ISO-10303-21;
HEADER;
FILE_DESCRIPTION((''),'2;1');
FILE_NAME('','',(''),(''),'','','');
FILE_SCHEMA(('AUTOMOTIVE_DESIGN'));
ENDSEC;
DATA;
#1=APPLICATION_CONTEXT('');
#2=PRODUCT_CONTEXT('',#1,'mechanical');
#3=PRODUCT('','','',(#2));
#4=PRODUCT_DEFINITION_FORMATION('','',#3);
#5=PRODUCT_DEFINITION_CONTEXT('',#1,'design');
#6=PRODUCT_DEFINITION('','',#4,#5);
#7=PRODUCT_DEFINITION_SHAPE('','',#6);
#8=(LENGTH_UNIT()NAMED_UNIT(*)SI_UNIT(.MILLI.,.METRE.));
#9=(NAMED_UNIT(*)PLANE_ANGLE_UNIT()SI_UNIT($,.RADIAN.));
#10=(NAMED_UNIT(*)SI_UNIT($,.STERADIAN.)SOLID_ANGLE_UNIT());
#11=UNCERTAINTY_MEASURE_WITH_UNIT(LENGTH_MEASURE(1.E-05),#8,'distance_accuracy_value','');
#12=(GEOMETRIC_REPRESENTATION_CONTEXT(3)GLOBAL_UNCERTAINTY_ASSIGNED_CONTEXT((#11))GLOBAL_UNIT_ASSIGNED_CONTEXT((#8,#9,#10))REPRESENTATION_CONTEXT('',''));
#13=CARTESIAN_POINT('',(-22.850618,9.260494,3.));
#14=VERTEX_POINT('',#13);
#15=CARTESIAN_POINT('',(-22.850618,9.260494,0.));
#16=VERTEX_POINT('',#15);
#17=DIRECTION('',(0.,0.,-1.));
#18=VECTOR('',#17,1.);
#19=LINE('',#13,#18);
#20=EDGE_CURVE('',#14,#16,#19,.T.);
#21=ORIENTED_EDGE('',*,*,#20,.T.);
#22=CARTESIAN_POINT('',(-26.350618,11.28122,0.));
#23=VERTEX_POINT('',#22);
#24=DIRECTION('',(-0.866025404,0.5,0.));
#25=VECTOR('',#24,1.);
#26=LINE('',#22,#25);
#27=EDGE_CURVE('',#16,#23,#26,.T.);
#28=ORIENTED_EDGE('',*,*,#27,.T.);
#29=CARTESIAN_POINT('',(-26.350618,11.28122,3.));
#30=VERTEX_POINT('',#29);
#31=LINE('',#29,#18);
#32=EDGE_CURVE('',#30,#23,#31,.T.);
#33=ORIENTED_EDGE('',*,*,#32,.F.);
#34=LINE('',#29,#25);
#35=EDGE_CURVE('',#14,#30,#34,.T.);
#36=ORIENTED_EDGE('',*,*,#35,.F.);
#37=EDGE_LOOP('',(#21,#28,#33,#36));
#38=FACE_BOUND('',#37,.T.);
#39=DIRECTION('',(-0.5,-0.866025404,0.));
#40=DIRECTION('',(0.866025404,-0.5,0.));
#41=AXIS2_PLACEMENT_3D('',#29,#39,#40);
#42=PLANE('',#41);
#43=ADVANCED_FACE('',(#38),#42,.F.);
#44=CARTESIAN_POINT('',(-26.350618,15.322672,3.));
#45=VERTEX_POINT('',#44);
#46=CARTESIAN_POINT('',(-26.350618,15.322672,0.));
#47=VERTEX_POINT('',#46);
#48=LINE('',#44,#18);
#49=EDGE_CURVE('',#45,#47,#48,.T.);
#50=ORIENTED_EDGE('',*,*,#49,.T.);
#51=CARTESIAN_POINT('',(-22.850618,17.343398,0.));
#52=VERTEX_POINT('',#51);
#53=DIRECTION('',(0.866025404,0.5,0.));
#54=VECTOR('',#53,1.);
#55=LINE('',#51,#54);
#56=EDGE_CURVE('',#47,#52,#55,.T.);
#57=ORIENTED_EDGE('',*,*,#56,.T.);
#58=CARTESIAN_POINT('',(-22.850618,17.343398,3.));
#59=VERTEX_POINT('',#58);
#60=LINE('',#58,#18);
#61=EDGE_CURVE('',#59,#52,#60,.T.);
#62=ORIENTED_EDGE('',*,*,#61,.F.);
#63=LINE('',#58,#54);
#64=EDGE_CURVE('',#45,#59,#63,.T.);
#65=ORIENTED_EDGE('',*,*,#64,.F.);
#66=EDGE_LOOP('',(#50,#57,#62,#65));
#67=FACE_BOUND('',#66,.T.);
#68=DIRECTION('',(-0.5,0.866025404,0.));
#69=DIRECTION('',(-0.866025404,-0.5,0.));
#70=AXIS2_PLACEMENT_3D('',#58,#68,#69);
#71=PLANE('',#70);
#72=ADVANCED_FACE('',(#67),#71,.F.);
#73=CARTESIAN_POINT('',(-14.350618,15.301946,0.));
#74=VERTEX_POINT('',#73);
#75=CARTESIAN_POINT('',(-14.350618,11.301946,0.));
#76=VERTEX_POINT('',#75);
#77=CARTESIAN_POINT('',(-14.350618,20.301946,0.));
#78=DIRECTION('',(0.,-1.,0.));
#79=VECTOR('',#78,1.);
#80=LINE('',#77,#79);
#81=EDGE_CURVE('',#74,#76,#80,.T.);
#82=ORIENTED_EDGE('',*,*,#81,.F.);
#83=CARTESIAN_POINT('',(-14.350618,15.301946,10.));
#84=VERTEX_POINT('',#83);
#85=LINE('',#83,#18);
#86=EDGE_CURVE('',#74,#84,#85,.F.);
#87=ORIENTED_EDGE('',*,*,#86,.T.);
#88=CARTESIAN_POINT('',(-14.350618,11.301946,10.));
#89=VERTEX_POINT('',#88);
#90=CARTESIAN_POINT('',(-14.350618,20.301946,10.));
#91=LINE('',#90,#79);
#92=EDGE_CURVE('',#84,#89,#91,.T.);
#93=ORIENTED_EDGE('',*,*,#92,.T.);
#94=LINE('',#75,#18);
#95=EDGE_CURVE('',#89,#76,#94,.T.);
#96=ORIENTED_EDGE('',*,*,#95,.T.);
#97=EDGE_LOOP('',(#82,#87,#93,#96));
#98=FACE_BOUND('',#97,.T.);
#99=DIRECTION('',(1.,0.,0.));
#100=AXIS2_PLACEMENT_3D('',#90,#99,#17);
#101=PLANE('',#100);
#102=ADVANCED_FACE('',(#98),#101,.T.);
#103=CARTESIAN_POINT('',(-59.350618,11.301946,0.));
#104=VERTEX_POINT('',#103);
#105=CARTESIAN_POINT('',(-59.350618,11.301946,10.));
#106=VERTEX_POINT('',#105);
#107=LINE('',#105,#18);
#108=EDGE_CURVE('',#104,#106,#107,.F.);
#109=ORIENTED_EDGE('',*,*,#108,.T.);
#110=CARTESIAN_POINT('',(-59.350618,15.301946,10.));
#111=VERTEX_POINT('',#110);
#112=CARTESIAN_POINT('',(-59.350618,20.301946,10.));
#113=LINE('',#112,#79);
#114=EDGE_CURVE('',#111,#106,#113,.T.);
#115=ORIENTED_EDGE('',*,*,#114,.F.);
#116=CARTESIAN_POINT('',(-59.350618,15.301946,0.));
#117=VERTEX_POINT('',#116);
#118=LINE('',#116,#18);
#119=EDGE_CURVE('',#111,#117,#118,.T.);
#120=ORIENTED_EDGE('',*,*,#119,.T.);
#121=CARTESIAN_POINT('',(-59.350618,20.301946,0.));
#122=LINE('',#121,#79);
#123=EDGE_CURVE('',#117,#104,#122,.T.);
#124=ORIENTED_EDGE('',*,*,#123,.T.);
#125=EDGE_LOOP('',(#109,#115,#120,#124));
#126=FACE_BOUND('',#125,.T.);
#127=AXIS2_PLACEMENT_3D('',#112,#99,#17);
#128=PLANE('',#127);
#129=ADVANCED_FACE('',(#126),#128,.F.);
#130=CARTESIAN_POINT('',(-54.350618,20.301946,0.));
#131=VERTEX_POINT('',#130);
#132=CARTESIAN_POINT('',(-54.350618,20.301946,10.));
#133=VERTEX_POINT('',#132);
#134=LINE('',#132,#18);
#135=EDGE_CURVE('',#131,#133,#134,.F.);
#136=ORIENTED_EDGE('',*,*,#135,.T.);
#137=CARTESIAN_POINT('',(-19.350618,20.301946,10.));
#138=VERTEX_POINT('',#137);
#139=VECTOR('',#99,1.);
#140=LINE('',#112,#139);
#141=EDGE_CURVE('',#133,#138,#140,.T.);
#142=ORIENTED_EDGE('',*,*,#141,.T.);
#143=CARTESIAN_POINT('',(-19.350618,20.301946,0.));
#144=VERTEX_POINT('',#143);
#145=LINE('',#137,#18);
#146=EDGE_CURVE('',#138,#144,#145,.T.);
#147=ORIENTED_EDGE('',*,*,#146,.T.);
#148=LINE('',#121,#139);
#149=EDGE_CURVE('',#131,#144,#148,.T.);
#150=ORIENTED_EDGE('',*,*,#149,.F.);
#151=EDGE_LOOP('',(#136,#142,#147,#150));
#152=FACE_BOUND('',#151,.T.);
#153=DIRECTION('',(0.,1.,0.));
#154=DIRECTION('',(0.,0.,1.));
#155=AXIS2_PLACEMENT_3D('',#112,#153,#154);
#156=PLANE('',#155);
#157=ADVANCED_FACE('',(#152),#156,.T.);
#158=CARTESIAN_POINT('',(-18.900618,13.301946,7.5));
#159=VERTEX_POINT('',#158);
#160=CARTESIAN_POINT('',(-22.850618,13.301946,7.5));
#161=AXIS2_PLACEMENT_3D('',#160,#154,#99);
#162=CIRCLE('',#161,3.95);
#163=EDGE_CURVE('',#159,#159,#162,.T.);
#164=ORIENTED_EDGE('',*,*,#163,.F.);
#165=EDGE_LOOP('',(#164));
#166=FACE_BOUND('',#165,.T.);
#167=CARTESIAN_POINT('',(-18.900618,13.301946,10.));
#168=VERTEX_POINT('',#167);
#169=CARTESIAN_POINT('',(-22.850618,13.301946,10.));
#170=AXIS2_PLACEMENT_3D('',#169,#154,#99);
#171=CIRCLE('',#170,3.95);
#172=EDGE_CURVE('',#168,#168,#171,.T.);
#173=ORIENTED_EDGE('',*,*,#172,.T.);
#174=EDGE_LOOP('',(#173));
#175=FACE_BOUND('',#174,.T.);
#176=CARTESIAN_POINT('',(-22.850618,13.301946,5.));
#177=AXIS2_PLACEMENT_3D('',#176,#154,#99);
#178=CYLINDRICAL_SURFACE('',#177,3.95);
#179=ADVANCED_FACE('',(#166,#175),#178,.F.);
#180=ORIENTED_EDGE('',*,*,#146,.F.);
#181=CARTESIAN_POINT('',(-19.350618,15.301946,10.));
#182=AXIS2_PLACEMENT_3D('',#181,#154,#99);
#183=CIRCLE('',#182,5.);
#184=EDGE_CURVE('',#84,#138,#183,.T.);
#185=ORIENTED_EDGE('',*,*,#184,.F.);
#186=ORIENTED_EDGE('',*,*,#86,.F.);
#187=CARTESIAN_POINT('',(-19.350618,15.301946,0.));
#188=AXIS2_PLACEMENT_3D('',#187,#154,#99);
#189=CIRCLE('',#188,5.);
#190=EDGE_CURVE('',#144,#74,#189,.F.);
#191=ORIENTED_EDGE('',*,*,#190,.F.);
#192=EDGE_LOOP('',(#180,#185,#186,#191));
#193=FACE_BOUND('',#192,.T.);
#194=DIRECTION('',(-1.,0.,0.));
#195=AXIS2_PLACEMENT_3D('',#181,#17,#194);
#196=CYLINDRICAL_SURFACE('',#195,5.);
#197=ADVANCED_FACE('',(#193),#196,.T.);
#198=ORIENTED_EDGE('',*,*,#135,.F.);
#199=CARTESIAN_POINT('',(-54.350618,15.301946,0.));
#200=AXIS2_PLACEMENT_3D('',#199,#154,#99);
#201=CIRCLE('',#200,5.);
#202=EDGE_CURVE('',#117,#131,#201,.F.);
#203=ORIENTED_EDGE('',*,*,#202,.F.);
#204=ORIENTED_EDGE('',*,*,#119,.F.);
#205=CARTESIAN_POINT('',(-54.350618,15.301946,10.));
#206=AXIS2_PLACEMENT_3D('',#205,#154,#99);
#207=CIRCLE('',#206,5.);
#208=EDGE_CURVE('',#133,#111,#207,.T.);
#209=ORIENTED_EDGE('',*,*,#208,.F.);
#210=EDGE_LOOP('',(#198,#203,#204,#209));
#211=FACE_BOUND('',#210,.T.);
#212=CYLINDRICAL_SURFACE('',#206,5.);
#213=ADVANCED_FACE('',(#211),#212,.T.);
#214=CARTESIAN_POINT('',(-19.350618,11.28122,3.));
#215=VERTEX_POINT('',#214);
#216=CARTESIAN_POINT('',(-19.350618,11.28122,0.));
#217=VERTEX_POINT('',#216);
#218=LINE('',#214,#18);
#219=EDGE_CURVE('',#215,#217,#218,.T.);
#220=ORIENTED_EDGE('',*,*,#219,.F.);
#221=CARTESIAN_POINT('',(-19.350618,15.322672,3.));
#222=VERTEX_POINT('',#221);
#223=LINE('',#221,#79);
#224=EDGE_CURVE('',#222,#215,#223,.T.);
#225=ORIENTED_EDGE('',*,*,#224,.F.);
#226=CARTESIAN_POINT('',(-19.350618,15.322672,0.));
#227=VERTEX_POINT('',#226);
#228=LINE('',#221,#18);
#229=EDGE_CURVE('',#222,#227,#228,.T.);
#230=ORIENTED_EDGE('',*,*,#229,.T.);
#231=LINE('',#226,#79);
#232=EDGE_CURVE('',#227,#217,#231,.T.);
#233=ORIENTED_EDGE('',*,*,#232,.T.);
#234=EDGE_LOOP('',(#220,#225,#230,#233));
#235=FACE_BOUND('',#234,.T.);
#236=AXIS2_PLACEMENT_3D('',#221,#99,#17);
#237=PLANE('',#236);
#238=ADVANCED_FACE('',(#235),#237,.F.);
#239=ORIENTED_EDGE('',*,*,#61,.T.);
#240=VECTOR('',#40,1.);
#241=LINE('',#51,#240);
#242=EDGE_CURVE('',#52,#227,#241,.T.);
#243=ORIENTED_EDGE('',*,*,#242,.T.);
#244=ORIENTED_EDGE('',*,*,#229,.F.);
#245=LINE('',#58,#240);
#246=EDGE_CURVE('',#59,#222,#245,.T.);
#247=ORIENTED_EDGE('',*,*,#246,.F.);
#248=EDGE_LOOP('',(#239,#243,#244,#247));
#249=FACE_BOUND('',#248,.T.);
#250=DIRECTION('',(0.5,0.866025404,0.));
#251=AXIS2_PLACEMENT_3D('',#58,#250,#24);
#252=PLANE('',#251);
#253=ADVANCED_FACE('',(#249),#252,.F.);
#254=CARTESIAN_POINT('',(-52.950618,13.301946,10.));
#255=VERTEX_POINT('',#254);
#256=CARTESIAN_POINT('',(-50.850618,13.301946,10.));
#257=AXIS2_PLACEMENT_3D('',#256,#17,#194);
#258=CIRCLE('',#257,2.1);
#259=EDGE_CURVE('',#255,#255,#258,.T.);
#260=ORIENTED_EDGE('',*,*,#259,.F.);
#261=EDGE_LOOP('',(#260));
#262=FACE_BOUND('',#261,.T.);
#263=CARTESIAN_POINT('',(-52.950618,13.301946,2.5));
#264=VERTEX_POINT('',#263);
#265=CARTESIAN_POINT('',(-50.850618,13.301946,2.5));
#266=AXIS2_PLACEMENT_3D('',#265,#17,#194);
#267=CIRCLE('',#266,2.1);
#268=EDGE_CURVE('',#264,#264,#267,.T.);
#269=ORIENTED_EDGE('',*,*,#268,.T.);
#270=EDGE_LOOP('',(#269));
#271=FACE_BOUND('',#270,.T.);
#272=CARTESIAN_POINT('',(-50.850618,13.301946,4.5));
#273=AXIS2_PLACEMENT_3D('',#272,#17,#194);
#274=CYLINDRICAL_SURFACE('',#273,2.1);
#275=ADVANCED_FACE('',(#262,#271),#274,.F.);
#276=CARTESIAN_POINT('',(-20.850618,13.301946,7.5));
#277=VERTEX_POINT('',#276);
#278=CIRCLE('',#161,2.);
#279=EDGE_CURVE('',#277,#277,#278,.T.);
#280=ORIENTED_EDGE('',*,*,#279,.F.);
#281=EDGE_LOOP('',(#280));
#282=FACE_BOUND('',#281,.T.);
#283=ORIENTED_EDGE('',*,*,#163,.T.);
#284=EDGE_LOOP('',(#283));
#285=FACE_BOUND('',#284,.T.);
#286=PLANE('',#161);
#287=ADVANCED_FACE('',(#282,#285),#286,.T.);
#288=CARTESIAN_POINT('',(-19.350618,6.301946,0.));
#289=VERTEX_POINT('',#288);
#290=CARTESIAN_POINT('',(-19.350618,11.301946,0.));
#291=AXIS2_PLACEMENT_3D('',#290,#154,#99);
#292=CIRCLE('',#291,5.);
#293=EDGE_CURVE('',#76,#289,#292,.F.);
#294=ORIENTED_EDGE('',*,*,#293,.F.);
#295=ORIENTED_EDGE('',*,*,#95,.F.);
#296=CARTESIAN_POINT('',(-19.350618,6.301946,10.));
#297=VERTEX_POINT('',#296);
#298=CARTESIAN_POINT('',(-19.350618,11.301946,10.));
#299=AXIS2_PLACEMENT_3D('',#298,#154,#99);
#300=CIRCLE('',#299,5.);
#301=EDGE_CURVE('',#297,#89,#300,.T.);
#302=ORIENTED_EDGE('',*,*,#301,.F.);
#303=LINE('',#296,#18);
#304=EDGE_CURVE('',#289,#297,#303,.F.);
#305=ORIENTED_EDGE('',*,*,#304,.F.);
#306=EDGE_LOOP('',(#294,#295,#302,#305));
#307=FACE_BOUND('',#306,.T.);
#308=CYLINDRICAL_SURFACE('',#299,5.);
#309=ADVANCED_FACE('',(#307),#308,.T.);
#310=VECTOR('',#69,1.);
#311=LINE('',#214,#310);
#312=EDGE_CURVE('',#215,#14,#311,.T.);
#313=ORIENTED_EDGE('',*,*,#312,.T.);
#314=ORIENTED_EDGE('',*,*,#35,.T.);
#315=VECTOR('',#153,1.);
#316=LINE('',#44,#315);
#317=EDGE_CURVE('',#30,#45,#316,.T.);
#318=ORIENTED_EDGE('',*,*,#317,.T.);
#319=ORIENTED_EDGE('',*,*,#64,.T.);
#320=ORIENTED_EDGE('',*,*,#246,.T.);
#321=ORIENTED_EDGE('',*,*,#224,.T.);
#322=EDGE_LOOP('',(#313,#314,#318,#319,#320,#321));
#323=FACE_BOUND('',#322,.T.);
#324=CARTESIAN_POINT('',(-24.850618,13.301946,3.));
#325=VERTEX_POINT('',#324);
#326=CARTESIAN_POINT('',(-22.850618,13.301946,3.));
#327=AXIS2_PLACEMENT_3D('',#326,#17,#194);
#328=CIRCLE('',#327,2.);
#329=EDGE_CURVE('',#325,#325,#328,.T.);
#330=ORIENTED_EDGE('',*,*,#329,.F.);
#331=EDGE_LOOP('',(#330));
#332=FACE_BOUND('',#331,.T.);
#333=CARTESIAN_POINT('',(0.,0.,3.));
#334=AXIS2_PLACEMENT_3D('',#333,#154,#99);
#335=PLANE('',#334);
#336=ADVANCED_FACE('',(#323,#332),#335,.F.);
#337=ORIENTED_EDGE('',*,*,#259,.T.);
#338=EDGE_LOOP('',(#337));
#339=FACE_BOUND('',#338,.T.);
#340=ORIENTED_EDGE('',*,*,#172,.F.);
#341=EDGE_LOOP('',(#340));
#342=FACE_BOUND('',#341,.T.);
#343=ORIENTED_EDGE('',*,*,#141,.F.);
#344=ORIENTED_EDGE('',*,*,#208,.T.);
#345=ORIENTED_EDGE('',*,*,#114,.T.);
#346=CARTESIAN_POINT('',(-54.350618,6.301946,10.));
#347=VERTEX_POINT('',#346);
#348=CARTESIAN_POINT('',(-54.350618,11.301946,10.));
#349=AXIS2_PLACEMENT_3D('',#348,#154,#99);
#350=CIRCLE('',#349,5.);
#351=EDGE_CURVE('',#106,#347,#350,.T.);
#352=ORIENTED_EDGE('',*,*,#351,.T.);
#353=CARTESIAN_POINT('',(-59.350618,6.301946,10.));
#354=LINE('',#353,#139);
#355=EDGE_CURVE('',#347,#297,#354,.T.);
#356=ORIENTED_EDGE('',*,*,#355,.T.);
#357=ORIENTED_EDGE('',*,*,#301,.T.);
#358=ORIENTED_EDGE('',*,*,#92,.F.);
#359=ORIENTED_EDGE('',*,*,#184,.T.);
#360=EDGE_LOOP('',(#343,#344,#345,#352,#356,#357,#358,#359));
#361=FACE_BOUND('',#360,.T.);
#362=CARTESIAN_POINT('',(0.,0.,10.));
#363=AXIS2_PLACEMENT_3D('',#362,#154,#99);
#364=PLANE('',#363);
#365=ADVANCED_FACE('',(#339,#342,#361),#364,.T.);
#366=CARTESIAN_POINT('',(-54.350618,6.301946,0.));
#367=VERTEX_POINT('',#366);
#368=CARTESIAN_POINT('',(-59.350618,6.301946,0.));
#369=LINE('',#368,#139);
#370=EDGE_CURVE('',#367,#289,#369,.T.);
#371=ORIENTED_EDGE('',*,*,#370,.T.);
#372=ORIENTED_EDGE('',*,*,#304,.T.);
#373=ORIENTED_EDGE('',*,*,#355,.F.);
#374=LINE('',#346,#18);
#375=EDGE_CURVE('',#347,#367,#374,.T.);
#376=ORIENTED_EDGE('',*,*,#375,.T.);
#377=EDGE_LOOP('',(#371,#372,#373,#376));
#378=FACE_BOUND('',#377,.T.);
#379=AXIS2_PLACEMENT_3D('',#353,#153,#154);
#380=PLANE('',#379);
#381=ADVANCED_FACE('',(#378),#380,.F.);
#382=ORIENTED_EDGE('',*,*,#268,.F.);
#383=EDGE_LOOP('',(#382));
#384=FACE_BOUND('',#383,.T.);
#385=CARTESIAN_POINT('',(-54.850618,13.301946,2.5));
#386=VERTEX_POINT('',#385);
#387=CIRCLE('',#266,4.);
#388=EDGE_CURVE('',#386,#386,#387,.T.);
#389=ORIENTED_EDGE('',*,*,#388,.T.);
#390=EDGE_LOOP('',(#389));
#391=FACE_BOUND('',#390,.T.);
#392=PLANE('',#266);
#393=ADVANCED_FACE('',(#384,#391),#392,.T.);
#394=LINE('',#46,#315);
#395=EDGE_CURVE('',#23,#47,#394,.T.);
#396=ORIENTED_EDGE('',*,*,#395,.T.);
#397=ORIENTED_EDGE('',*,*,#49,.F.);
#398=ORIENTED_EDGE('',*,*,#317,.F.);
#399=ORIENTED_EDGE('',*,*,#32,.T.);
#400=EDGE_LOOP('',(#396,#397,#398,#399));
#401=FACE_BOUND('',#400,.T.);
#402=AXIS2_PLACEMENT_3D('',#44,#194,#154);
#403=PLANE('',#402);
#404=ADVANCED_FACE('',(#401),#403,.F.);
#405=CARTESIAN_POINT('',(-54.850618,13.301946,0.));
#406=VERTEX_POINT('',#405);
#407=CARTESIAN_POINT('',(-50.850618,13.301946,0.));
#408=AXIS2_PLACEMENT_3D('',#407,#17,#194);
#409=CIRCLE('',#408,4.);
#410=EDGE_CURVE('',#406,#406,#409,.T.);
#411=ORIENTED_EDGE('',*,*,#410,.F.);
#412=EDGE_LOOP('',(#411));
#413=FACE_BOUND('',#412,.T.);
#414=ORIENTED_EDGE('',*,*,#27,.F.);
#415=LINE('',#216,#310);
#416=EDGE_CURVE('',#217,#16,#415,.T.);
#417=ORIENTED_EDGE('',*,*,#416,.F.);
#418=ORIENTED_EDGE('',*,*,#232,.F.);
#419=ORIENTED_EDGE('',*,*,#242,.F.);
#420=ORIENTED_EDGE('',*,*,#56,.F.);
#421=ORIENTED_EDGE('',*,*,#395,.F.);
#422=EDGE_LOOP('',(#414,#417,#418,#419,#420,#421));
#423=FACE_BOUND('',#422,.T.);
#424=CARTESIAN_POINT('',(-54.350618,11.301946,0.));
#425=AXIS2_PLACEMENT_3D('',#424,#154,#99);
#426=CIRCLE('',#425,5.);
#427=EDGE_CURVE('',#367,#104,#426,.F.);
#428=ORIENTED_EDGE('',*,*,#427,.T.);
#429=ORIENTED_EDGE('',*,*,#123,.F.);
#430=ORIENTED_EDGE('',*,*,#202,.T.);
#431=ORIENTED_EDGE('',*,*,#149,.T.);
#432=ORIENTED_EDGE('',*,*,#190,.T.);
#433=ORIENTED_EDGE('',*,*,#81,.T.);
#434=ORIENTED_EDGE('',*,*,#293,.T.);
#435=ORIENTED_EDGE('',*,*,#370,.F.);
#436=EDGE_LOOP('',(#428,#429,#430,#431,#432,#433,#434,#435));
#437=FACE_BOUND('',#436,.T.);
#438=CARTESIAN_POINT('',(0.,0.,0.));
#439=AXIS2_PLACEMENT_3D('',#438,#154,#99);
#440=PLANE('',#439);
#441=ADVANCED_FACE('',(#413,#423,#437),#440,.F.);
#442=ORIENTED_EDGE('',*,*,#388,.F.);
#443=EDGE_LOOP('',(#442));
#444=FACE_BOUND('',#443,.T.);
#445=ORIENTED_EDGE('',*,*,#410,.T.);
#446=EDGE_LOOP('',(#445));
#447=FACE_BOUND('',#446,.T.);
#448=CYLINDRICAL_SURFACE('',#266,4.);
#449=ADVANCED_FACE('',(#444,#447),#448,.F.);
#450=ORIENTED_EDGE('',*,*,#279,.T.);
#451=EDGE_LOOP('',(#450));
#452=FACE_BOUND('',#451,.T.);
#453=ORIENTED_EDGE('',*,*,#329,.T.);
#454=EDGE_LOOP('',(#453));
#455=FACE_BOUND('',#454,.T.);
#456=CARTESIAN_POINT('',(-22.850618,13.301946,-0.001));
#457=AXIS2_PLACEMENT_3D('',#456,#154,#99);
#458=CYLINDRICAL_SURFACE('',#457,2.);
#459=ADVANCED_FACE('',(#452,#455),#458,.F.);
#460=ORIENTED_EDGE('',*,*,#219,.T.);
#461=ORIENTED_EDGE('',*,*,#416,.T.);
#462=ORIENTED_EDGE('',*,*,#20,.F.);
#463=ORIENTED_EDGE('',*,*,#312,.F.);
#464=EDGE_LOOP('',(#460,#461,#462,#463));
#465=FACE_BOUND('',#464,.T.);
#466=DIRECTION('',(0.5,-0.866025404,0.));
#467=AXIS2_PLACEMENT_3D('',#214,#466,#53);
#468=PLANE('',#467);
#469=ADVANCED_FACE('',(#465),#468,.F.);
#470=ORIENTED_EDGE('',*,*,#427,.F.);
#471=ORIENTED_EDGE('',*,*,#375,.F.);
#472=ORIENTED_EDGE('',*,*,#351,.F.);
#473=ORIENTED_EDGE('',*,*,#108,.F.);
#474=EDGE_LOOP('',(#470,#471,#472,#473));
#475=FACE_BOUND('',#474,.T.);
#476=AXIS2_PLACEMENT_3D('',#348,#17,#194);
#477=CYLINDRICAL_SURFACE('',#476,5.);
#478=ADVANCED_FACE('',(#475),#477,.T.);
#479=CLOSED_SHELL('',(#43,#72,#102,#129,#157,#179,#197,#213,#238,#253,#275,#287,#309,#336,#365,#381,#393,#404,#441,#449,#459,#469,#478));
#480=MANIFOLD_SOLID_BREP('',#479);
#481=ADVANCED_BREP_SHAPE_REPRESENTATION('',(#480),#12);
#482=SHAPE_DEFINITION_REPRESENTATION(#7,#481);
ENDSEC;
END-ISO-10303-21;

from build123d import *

# Parameters (mm, degrees)
SKETCH1_W           = 45
SKETCH1_H           = 14
BOSS_EXTRUDE1_DEPTH = 10
FILLET1_R           = 5
FILLET2_R           = 5
SKETCH2_R           = 4
CUT_EXTRUDE2_DEPTH  = 2.5
SKETCH3_R           = 2.1
CUT_EXTRUDE3_DEPTH  = 2
SKETCH4_R           = 3.95
CUT_EXTRUDE4_DEPTH  = 5
CUT_EXTRUDE5_REACH  = 64.926
SKETCH5_R           = 2
SKETCH7_R           = 2.1
CUT_EXTRUDE6_DEPTH  = 63.967570185
BOSS_EXTRUDE2_START = 2.5
SKETCH9_R           = 3.95
SKETCH9_R_2         = 2
BOSS_EXTRUDE2_DEPTH = 2.5
CUT_EXTRUDE7_START  = -3
SKETCH10_R          = 2
CUT_EXTRUDE7_DEPTH  = 3


with BuildPart() as part:
    # Sketch1 → Boss-Extrude1 (new body)
    with BuildSketch(Plane.XY):
        with Locations((-36.850618243, 13.301945946)):
            Rectangle(SKETCH1_W, SKETCH1_H)
    extrude(amount=BOSS_EXTRUDE1_DEPTH)

    # Fillet1
    fillet1_edges = [part.edges().sort_by_distance(p)[0] for p in [
        (-59.350618243, 20.301945946, 5),
    ]]
    fillet(fillet1_edges, radius=FILLET1_R)

    # Fillet2
    fillet2_edges = [part.edges().sort_by_distance(p)[0] for p in [
        (-14.350618243, 20.301945946, 5),
        (-14.350618243, 6.301945946, 5),
        (-59.350618243, 6.301945946, 5),
    ]]
    fillet(fillet2_edges, radius=FILLET2_R)

    # Sketch2 → Cut-Extrude2 (cut)
    with BuildSketch(Plane(origin=(0, 0, 0), x_dir=(-1, 0, 0), z_dir=(0, 0, -1))):
        with Locations((50.850618243, 13.301945946)):
            Circle(SKETCH2_R)
    extrude(amount=-CUT_EXTRUDE2_DEPTH, mode=Mode.SUBTRACT)

    # Sketch3 → Cut-Extrude3 (cut)
    with BuildSketch(Plane(origin=(0, 0, 2.5), x_dir=(-1, 0, 0), z_dir=(0, 0, -1))):
        with Locations((50.850618243, 13.301945946)):
            Circle(SKETCH3_R)
    extrude(amount=-CUT_EXTRUDE3_DEPTH, mode=Mode.SUBTRACT)

    # Sketch4 → Cut-Extrude4 (cut)
    with BuildSketch(Plane.XY.offset(10)):
        with Locations((-22.850618243, 13.301945946)):
            Circle(SKETCH4_R)
    extrude(amount=-CUT_EXTRUDE4_DEPTH, mode=Mode.SUBTRACT)

    # Sketch5 → Cut-Extrude5 (cut, up to next)
    with BuildSketch(Plane.XY.offset(5), mode=Mode.PRIVATE) as cut_extrude5_sk1:
        with Locations((-22.850618243, 13.301945946)):
            Circle(SKETCH5_R)
    cut_extrude5_tool1 = extrude(cut_extrude5_sk1.sketch, amount=-CUT_EXTRUDE5_REACH, mode=Mode.PRIVATE) & part.part
    add(cut_extrude5_tool1.solids().sort_by_distance((-22.850618, 13.301946, 5))[0], mode=Mode.SUBTRACT)

    # Sketch7 → Cut-Extrude6 (cut, through all)
    with BuildSketch(Plane(origin=(0, 0, 4.5), x_dir=(-1, 0, 0), z_dir=(0, 0, -1))):
        with Locations((50.850618243, 13.301945946)):
            Circle(SKETCH7_R)
    extrude(amount=-CUT_EXTRUDE6_DEPTH, mode=Mode.SUBTRACT)

    # Sketch9 → Boss-Extrude2 (add)
    with BuildSketch(Plane.XY.offset(5).offset(BOSS_EXTRUDE2_START)):
        with Locations((-22.850618243, 13.301945946)):
            Circle(SKETCH9_R)
        with Locations((-22.850618243, 13.301945946)):
            Circle(SKETCH9_R_2, mode=Mode.SUBTRACT)
    extrude(amount=-BOSS_EXTRUDE2_DEPTH)

    # Sketch10 → Cut-Extrude7 (cut)
    with BuildSketch(Plane(origin=(0, 0, 0), x_dir=(-1, 0, 0), z_dir=(0, 0, -1)).offset(CUT_EXTRUDE7_START)):
        Polygon((22.850618243, 17.34339783), (19.350618243, 15.322671888), (19.350618243, 11.281220004), (22.850618243, 9.260494062), (26.350618243, 11.281220004), (26.350618243, 15.322671888), align=None)
        with Locations(Location((22.850618243, 13.301945946, 0), (0, 0, 180))):
            Circle(SKETCH10_R, mode=Mode.SUBTRACT)
    extrude(amount=CUT_EXTRUDE7_DEPTH, mode=Mode.SUBTRACT)


solid = part.part
